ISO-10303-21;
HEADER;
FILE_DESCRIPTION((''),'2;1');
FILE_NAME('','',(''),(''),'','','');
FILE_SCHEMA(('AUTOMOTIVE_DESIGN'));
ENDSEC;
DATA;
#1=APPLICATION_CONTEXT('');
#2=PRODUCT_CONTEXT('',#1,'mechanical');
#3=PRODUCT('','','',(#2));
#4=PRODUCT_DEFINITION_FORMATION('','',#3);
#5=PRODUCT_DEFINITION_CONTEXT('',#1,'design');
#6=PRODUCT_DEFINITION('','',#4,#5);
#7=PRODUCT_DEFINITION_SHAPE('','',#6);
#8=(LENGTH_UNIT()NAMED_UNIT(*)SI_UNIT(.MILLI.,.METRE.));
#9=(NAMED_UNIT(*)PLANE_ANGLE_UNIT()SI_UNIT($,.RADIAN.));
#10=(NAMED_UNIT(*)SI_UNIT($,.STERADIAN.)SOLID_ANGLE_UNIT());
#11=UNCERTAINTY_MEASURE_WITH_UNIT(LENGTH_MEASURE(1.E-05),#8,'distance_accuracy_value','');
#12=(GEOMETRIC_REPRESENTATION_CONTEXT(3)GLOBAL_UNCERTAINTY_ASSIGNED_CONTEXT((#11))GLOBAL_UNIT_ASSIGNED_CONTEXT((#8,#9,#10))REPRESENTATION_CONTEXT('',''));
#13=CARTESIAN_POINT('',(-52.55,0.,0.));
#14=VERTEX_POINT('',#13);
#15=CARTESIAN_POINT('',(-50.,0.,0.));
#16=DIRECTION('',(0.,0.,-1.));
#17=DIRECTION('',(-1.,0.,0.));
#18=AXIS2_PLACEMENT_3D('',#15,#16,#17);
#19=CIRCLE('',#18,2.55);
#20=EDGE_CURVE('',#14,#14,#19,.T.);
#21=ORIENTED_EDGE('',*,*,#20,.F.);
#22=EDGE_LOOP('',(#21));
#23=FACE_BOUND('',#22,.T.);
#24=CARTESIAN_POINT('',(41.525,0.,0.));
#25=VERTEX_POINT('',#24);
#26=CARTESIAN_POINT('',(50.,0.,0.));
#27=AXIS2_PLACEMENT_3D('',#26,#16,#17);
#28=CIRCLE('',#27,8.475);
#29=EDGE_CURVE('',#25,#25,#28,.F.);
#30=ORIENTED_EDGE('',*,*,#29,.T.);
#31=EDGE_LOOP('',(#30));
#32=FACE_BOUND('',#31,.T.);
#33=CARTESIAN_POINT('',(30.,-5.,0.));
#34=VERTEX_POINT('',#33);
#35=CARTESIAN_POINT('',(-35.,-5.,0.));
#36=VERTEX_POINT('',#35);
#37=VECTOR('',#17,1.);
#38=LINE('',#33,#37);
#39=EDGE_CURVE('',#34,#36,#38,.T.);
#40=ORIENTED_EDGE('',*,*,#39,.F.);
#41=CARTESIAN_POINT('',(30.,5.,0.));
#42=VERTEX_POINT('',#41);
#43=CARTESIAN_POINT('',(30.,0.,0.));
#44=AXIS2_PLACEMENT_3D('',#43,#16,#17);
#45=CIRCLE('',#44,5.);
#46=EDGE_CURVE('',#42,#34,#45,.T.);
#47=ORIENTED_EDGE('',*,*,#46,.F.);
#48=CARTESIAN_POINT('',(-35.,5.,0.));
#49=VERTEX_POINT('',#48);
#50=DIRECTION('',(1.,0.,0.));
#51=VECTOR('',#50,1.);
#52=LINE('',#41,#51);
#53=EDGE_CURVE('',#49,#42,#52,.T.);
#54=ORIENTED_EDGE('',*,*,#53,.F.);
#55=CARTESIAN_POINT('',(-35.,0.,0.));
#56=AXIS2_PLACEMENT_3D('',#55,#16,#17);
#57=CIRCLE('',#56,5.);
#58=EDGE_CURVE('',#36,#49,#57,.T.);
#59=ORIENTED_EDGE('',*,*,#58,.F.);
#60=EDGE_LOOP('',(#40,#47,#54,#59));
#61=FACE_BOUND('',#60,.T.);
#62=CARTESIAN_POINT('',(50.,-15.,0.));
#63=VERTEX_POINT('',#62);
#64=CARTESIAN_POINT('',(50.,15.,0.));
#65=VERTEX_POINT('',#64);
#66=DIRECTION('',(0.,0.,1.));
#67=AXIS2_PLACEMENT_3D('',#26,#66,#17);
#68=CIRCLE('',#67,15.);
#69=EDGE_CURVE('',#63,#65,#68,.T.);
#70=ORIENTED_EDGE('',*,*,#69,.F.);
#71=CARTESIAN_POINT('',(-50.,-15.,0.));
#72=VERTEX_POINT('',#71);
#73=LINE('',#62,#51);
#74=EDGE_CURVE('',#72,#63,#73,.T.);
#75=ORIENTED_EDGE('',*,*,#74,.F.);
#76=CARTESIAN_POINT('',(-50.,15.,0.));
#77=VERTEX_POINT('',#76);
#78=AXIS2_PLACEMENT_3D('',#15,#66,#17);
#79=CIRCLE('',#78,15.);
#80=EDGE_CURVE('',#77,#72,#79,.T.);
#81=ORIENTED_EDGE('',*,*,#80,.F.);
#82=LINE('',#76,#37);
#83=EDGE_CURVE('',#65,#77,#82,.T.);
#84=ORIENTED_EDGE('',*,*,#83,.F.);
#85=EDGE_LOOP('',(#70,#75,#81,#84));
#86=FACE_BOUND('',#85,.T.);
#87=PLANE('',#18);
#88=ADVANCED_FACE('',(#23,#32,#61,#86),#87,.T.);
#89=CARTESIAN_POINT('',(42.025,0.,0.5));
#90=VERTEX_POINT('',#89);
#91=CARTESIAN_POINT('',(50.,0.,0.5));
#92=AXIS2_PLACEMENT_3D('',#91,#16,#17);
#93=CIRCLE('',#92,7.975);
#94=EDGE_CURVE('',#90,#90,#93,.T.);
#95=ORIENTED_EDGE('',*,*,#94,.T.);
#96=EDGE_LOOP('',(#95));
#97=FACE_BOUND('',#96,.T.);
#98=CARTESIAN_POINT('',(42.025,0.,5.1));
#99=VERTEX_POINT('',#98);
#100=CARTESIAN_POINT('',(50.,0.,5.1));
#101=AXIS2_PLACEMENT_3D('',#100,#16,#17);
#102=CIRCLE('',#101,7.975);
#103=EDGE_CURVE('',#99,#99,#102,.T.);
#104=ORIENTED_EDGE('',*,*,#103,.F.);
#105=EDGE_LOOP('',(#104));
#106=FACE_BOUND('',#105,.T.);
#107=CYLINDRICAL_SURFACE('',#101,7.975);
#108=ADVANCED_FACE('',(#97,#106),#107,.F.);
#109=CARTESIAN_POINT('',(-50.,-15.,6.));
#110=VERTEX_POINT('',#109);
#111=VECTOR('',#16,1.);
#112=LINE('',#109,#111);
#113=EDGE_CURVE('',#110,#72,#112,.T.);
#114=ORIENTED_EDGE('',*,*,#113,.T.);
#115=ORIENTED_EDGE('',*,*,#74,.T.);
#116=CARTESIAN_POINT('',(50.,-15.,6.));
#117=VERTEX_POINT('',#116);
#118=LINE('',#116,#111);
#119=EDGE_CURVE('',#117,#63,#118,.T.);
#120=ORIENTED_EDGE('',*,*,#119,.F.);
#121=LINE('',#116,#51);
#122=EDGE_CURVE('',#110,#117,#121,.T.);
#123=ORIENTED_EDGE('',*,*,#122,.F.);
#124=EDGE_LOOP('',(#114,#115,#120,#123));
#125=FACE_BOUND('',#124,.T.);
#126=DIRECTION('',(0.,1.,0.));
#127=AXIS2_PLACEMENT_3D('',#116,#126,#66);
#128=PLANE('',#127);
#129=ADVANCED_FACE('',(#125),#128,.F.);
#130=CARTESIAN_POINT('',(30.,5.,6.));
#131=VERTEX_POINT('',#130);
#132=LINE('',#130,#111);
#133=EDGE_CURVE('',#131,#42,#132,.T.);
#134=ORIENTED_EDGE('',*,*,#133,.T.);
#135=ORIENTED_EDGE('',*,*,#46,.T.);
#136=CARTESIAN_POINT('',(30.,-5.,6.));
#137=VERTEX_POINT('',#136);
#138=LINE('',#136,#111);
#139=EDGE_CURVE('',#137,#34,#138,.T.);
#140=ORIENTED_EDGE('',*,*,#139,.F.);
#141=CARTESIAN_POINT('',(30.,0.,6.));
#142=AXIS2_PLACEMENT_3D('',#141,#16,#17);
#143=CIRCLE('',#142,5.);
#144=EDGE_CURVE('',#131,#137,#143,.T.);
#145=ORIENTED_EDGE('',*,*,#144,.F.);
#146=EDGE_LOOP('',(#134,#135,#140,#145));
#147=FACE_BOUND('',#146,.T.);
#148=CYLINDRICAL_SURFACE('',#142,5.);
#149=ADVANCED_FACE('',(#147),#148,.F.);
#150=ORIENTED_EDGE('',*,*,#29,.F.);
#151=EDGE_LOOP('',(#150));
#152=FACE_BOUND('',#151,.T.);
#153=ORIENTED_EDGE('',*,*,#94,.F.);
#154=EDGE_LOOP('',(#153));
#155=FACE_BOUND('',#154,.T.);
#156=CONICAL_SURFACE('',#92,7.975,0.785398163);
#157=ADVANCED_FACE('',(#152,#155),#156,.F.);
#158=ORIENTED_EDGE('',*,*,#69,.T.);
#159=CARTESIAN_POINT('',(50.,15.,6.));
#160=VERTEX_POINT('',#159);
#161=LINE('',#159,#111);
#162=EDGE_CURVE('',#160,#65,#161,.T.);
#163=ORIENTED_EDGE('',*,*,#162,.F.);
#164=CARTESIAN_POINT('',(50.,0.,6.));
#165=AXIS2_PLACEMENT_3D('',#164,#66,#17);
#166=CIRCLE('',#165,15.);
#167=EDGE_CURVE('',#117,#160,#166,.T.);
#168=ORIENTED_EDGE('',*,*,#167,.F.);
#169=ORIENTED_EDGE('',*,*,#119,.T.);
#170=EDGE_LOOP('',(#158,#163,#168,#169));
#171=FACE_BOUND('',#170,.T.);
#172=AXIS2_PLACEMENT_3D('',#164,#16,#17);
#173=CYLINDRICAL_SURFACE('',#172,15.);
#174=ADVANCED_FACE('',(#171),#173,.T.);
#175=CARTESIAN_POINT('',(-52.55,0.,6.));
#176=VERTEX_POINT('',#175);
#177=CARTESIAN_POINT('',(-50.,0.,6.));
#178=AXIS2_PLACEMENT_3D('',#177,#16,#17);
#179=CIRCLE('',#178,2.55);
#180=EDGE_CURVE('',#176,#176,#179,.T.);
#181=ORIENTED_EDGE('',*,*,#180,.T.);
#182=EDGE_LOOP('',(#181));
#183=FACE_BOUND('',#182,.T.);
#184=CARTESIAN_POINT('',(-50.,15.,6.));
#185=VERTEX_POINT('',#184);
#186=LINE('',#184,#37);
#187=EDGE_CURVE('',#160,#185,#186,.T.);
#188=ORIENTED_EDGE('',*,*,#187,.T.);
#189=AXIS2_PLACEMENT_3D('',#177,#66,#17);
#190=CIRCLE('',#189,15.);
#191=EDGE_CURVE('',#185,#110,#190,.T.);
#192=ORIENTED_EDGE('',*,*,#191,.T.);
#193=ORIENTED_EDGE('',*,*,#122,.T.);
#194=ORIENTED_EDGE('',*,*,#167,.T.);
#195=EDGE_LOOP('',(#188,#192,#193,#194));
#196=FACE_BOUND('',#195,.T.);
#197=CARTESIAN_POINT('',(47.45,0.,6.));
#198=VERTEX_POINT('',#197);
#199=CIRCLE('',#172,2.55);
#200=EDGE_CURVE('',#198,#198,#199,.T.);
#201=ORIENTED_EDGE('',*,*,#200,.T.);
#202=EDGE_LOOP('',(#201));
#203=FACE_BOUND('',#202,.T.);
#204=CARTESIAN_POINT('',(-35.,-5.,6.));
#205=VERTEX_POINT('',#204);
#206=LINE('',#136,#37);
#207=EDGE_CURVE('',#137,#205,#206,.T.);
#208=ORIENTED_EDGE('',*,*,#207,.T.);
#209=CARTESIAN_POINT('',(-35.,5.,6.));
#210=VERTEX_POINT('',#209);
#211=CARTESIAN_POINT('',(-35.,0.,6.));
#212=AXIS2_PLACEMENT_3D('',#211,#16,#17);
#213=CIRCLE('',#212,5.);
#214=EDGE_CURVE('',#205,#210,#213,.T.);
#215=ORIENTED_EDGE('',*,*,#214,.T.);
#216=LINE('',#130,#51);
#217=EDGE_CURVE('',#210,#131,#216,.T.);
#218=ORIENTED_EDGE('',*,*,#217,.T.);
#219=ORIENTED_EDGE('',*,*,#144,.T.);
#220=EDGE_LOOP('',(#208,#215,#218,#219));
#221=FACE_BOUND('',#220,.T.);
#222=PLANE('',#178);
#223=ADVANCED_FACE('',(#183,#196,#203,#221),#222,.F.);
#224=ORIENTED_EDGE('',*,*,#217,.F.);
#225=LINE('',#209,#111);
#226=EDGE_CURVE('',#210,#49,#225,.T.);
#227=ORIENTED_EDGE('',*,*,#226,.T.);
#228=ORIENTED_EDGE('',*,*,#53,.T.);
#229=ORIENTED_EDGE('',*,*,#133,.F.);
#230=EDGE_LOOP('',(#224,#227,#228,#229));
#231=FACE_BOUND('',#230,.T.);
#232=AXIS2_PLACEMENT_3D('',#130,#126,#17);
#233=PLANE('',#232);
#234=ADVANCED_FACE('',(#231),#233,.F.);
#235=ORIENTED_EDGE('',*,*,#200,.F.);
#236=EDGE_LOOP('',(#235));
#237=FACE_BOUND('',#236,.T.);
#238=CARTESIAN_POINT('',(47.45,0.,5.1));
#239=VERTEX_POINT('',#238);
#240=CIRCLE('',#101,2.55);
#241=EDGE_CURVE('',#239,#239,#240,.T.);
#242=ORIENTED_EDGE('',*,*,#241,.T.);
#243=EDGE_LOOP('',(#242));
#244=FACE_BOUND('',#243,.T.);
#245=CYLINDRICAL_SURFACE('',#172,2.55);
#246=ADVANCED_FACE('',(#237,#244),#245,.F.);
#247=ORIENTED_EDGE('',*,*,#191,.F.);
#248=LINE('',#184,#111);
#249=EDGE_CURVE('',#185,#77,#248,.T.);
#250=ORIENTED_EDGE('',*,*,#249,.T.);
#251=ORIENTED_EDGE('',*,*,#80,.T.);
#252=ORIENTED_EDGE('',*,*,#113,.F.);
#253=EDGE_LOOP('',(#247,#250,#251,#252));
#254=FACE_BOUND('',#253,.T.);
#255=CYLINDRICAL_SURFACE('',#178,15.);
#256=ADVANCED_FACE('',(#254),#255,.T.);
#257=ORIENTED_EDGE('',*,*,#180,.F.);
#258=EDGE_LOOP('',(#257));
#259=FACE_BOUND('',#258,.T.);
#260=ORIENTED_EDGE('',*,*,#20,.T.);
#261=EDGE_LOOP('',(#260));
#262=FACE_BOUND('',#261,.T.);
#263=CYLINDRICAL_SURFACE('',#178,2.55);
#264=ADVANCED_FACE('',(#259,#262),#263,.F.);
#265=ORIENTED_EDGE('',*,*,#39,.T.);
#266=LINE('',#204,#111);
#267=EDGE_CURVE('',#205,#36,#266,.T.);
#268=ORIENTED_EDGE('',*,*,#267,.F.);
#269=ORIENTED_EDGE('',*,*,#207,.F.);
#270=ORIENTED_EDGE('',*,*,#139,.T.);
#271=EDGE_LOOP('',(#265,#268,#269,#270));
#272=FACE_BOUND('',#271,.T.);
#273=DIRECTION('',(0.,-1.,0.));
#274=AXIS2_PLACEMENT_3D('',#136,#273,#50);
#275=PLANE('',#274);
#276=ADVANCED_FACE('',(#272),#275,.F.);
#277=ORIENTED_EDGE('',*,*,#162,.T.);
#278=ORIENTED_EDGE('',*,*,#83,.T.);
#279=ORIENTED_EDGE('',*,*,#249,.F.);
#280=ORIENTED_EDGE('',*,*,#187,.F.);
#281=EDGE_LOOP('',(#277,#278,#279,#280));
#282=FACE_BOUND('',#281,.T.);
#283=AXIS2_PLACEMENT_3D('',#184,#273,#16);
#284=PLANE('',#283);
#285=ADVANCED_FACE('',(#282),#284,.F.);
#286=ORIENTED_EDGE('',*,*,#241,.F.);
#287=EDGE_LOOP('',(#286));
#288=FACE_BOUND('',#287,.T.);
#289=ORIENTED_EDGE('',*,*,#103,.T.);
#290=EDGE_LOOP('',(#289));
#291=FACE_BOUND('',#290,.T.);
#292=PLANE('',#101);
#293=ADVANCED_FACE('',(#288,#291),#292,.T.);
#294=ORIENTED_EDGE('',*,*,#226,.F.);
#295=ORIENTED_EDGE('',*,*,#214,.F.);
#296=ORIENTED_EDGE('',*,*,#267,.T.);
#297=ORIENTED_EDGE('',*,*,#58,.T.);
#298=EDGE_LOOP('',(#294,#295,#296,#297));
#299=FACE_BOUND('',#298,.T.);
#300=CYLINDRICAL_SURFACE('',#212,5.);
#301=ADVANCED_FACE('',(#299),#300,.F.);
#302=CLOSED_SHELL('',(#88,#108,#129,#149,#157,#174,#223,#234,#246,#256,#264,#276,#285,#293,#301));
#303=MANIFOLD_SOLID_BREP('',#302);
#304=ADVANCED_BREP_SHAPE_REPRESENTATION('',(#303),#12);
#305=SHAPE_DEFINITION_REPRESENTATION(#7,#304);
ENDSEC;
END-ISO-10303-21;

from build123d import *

# Parameters (mm, degrees)
BOSS_EXTRUDE1_DEPTH = 6
SKETCH9_R           = 7.975
CUT_EXTRUDE5_DEPTH  = 5.1
SKETCH10_R          = 2.55
CUT_EXTRUDE6_DEPTH  = 1.9
SKETCH11_R          = 2.55
CUT_EXTRUDE7_DEPTH  = 7
CHAMFER1_SIZE       = 0.5
CUT_EXTRUDE8_DEPTH  = 7


with BuildPart() as part:
    # Sketch4 → Boss-Extrude1 (new body)
    with BuildSketch(Plane.XY):
        with BuildLine():
            Line((-50, 15), (50, 15))
            ThreePointArc((50, 15), (65, 0), (50, -15))
            Line((50, -15), (-50, -15))
            ThreePointArc((-50, -15), (-65, 0), (-50, 15))
        make_face()
    extrude(amount=BOSS_EXTRUDE1_DEPTH)

    # Sketch9 → Cut-Extrude5 (cut)
    with BuildSketch(Plane(origin=(0, 0, 0), x_dir=(-1, 0, 0), z_dir=(0, 0, -1))):
        with Locations((-50, 0)):
            Circle(SKETCH9_R)
    extrude(amount=-CUT_EXTRUDE5_DEPTH, mode=Mode.SUBTRACT)

    # Sketch10 → Cut-Extrude6 (cut, through all)
    with BuildSketch(Plane(origin=(0, 0, 5.1), x_dir=(-1, 0, 0), z_dir=(0, 0, -1))):
        with Locations((-50, 0)):
            Circle(SKETCH10_R)
    extrude(amount=-CUT_EXTRUDE6_DEPTH, mode=Mode.SUBTRACT)

    # Sketch11 → Cut-Extrude7 (cut, through all)
    with BuildSketch(Plane(origin=(0, 0, 0), x_dir=(-1, 0, 0), z_dir=(0, 0, -1))):
        with Locations((50, 0)):
            Circle(SKETCH11_R)
    extrude(amount=-CUT_EXTRUDE7_DEPTH, mode=Mode.SUBTRACT)

    # Chamfer1
    chamfer1_edges = [part.edges().sort_by_distance(p)[0] for p in [
        (57.975, 0, 0),
    ]]
    chamfer(chamfer1_edges, length=CHAMFER1_SIZE)

    # Sketch12 → Cut-Extrude8 (cut, through all)
    with BuildSketch(Plane(origin=(0, 0, 0), x_dir=(-1, 0, 0), z_dir=(0, 0, -1))):
        with BuildLine():
            Line((-30, 5), (35, 5))
            ThreePointArc((35, 5), (40, 0), (35, -5))
            Line((35, -5), (-30, -5))
            ThreePointArc((-30, -5), (-35, 0), (-30, 5))
        make_face()
    extrude(amount=-CUT_EXTRUDE8_DEPTH, mode=Mode.SUBTRACT)


solid = part.part
